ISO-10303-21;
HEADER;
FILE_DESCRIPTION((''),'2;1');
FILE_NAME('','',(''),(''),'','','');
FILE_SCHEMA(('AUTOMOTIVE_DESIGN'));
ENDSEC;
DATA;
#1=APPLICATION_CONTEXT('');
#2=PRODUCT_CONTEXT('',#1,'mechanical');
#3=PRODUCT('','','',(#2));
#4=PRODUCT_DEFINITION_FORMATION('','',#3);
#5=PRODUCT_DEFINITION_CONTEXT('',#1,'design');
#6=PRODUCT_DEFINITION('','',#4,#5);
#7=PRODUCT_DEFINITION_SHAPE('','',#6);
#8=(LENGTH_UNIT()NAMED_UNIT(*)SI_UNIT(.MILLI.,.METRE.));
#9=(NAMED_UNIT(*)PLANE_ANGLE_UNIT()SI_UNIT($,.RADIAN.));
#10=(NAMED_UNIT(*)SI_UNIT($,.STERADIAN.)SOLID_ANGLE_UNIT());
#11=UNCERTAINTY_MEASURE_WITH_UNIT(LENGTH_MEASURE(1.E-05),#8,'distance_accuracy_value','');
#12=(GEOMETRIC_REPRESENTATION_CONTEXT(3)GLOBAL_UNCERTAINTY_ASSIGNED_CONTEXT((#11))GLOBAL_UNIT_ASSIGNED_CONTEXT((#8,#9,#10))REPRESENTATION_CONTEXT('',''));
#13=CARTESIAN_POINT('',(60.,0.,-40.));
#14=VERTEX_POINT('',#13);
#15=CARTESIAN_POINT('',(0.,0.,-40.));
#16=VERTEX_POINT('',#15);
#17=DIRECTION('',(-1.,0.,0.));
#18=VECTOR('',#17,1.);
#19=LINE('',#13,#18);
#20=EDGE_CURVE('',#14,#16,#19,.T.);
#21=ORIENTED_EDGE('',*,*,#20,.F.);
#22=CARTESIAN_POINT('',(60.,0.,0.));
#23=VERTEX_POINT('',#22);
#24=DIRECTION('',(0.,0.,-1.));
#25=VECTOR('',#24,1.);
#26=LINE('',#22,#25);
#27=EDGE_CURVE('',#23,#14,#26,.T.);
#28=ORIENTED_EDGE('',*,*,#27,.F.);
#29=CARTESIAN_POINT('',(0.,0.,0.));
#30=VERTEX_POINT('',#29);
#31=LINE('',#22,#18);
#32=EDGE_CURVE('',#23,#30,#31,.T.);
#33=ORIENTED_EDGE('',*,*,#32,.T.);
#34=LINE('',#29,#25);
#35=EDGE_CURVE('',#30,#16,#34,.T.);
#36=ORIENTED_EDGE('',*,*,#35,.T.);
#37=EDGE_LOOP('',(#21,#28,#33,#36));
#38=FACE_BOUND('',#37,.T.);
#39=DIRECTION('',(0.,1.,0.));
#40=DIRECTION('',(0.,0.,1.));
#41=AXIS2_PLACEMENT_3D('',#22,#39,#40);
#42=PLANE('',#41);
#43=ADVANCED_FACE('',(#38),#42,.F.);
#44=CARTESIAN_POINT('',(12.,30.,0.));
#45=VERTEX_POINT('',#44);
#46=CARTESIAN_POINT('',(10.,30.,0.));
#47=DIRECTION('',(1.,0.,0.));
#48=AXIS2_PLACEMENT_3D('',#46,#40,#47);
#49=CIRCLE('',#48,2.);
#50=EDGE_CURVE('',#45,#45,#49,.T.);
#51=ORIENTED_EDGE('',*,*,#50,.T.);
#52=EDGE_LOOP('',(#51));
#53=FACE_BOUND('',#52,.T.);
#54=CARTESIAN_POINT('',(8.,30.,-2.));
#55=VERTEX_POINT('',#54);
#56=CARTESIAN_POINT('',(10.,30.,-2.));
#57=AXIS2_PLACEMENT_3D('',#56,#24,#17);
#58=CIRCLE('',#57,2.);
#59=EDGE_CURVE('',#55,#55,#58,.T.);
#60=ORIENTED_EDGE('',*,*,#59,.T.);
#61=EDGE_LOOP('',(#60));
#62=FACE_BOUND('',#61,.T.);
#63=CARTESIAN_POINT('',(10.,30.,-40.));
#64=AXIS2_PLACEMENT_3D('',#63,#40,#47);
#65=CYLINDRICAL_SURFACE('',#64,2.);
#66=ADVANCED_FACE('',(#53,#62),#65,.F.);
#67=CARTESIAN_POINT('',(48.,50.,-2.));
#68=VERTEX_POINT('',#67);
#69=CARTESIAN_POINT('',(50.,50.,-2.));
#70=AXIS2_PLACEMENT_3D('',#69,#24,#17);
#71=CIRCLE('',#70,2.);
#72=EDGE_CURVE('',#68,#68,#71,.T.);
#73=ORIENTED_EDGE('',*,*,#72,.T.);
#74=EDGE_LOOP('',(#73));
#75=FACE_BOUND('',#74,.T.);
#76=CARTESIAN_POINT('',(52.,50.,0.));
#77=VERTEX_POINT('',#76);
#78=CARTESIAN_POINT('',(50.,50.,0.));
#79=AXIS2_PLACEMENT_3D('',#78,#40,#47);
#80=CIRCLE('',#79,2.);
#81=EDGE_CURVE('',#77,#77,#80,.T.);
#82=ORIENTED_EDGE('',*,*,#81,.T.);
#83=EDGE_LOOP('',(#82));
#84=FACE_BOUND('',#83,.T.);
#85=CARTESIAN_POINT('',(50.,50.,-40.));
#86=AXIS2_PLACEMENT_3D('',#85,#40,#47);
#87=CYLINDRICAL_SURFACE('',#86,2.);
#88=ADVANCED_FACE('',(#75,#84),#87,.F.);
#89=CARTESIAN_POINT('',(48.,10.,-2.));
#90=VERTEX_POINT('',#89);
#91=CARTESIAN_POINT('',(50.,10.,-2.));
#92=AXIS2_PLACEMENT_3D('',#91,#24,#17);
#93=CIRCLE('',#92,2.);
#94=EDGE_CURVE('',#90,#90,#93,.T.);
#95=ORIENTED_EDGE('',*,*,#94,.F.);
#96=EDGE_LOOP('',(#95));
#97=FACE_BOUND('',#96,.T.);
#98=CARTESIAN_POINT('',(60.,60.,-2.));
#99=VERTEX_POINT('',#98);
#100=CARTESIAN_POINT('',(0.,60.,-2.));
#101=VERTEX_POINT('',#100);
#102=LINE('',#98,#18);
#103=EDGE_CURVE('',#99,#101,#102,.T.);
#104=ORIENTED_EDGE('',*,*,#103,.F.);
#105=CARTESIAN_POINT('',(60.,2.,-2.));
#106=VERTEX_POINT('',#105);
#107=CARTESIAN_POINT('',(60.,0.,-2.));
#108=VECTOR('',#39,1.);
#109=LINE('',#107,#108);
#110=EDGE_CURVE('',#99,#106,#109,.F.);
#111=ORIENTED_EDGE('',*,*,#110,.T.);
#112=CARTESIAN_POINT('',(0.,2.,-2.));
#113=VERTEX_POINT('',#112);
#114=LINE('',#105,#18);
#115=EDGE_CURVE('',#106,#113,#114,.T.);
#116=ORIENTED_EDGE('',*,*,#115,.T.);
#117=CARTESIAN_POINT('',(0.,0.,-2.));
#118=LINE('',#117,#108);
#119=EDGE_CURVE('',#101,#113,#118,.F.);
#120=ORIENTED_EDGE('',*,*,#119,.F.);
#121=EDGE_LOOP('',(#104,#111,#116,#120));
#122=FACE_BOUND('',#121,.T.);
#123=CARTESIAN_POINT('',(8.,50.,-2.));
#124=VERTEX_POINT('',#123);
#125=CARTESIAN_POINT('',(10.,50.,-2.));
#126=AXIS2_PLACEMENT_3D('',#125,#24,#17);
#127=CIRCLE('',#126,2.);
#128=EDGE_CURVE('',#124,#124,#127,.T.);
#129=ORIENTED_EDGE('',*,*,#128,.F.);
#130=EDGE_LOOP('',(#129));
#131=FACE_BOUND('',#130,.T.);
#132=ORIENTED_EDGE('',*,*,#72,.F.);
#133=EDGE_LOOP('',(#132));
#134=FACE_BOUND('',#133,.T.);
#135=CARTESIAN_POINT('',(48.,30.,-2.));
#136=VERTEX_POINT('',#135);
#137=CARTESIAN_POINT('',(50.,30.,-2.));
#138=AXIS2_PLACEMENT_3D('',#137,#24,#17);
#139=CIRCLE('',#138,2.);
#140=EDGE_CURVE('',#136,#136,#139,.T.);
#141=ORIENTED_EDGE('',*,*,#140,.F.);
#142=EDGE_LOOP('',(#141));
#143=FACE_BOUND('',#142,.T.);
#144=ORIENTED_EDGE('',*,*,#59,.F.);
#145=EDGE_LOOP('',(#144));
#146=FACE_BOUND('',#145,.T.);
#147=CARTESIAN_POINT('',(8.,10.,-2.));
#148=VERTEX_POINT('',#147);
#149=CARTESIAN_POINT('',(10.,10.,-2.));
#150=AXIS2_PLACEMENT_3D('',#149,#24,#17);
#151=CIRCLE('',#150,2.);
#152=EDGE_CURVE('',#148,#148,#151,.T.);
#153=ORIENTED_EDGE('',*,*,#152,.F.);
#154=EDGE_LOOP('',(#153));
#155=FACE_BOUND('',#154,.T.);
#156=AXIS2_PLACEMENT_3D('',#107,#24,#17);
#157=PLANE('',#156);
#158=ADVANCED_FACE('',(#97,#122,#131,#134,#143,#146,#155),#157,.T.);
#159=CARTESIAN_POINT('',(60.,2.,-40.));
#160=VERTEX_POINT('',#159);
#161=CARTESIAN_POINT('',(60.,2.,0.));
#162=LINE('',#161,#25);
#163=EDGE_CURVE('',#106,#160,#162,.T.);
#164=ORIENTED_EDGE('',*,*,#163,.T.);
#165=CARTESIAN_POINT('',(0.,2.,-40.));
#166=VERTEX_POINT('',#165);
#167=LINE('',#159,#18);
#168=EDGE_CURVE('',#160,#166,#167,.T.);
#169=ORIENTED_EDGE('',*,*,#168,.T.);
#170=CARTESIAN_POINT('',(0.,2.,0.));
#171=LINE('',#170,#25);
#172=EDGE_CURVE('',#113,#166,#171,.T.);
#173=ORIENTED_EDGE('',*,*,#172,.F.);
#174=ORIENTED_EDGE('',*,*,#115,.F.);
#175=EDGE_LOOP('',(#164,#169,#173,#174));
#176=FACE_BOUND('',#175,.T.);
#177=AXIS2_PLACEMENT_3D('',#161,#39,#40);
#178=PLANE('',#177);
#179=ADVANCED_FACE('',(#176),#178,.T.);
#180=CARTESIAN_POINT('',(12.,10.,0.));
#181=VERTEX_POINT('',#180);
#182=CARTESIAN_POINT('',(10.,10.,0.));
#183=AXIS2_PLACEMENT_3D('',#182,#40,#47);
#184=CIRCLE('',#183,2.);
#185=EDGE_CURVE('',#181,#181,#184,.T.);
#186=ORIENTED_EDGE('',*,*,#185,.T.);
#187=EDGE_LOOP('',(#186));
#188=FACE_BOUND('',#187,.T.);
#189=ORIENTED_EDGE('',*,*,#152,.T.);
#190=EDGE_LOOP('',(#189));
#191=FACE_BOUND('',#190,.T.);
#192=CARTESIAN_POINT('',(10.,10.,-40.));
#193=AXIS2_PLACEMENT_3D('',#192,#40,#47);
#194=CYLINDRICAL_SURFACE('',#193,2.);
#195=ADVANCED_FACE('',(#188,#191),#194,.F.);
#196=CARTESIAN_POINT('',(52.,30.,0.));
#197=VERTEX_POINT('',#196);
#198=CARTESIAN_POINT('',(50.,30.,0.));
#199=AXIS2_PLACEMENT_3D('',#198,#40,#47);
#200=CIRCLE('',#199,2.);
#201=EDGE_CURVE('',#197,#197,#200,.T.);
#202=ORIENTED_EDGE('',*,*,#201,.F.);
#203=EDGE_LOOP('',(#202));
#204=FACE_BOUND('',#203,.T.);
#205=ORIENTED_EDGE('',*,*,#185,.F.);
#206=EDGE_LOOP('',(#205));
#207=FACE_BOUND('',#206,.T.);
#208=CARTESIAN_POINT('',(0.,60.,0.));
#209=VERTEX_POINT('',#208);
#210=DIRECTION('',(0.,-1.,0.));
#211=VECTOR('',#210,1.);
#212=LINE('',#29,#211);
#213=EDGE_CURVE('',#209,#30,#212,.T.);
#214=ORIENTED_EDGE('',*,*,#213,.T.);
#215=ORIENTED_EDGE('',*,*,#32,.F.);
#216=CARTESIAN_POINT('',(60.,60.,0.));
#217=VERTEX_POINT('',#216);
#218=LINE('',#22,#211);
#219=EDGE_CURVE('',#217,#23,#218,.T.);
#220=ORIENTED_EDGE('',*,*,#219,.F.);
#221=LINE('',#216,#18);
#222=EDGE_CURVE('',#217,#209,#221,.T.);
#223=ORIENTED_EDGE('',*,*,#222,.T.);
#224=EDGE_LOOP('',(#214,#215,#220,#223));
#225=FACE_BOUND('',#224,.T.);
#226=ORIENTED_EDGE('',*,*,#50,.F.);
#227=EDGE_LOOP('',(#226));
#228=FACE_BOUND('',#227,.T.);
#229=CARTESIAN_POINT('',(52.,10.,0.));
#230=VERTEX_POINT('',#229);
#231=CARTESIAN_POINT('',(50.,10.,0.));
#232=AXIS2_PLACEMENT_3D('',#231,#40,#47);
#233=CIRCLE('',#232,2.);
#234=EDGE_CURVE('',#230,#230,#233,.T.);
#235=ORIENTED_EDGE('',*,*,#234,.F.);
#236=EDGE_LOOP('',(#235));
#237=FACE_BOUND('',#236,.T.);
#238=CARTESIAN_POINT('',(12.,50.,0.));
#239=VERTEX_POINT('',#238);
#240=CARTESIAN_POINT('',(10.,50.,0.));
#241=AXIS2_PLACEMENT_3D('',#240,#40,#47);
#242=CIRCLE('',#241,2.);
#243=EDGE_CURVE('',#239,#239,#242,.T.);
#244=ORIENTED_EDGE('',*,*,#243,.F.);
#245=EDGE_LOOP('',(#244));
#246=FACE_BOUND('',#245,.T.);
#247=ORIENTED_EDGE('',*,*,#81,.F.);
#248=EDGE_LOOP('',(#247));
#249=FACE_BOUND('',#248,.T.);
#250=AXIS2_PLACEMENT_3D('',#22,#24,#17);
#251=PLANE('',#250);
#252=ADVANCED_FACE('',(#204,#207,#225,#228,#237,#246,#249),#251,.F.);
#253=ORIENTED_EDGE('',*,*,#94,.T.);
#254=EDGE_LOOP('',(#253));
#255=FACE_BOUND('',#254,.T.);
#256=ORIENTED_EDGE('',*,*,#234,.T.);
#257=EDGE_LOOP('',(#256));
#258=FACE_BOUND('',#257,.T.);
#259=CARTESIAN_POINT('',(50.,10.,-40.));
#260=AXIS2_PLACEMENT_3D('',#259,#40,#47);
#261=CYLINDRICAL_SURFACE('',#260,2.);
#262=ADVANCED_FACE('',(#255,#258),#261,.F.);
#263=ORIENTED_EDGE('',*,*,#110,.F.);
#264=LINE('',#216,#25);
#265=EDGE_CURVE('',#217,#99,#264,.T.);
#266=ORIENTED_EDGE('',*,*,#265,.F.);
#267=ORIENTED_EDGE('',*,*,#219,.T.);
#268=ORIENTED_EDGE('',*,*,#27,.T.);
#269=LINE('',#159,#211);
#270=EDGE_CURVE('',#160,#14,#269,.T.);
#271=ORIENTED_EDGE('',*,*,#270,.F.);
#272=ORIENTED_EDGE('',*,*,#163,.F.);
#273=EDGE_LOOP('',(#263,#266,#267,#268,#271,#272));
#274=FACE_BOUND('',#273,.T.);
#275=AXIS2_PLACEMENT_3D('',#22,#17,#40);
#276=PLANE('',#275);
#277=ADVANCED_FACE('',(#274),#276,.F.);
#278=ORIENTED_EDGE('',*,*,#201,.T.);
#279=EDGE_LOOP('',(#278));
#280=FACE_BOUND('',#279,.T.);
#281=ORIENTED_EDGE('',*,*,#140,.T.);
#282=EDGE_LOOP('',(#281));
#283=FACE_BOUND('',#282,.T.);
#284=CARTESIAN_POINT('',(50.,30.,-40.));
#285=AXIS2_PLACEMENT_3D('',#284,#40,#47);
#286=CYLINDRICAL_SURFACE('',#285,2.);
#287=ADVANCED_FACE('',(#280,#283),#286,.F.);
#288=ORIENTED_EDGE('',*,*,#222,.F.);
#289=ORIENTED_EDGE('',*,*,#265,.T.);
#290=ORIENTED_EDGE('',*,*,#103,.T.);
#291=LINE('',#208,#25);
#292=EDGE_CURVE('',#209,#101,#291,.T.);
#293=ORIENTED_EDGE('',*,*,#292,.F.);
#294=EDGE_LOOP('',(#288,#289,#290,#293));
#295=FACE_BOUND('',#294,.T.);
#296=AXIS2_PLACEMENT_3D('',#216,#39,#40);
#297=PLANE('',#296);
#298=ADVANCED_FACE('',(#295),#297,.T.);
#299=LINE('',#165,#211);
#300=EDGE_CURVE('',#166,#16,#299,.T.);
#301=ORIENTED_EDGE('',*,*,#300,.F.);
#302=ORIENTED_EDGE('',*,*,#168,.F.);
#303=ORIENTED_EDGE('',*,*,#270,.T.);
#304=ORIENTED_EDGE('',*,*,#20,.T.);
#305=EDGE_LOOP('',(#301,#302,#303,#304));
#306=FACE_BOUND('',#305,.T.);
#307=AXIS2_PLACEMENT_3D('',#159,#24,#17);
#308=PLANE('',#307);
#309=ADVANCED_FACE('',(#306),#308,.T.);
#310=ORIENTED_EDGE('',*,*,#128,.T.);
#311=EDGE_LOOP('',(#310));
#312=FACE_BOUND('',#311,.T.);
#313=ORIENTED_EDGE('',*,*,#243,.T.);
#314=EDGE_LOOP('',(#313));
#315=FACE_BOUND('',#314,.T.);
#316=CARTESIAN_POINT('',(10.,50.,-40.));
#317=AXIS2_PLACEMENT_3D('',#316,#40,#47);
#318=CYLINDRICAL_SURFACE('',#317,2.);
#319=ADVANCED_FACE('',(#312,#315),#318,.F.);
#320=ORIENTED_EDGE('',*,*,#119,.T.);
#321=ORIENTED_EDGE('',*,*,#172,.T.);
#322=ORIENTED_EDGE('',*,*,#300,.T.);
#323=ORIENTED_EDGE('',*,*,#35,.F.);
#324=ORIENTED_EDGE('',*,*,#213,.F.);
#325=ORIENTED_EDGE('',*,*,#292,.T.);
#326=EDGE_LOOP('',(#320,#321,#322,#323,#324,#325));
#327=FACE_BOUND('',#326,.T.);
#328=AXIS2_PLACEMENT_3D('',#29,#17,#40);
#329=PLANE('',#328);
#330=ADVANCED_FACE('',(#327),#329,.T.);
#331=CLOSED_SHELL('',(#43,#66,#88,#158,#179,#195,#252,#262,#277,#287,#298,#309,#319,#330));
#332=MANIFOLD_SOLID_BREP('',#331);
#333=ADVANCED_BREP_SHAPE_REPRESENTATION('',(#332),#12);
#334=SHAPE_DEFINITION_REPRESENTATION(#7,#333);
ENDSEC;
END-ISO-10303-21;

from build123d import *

# Parameters (mm, degrees)
EXTRUDE_1_DEPTH     = 60
SKETCH_2_R          = 2
CUT_EXTRUDE_1_DEPTH = 41


with BuildPart() as part:
    # Эскиз1 → Вытянуть-Тонкостенный1 (new body)
    with BuildSketch(Plane(origin=(0, 0, 0), x_dir=(0, 0, -1), z_dir=(1, 0, 0))):
        Polygon((40, 0), (0, 0), (0, 60), (2, 60), (2, 2), (40, 2), align=None)
    extrude(amount=EXTRUDE_1_DEPTH)

    # Эскиз2 → Вырез-Вытянуть1 (cut, through all)
    with BuildSketch(Plane.XY):
        with Locations((10, 50)):
            Circle(SKETCH_2_R)
        with Locations((50, 50)):
            Circle(SKETCH_2_R)
        with Locations((50, 30)):
            Circle(SKETCH_2_R)
        with Locations((50, 10)):
            Circle(SKETCH_2_R)
        with Locations((10, 30)):
            Circle(SKETCH_2_R)
        with Locations((10, 10)):
            Circle(SKETCH_2_R)
    extrude(amount=-CUT_EXTRUDE_1_DEPTH, mode=Mode.SUBTRACT)


solid = part.part
